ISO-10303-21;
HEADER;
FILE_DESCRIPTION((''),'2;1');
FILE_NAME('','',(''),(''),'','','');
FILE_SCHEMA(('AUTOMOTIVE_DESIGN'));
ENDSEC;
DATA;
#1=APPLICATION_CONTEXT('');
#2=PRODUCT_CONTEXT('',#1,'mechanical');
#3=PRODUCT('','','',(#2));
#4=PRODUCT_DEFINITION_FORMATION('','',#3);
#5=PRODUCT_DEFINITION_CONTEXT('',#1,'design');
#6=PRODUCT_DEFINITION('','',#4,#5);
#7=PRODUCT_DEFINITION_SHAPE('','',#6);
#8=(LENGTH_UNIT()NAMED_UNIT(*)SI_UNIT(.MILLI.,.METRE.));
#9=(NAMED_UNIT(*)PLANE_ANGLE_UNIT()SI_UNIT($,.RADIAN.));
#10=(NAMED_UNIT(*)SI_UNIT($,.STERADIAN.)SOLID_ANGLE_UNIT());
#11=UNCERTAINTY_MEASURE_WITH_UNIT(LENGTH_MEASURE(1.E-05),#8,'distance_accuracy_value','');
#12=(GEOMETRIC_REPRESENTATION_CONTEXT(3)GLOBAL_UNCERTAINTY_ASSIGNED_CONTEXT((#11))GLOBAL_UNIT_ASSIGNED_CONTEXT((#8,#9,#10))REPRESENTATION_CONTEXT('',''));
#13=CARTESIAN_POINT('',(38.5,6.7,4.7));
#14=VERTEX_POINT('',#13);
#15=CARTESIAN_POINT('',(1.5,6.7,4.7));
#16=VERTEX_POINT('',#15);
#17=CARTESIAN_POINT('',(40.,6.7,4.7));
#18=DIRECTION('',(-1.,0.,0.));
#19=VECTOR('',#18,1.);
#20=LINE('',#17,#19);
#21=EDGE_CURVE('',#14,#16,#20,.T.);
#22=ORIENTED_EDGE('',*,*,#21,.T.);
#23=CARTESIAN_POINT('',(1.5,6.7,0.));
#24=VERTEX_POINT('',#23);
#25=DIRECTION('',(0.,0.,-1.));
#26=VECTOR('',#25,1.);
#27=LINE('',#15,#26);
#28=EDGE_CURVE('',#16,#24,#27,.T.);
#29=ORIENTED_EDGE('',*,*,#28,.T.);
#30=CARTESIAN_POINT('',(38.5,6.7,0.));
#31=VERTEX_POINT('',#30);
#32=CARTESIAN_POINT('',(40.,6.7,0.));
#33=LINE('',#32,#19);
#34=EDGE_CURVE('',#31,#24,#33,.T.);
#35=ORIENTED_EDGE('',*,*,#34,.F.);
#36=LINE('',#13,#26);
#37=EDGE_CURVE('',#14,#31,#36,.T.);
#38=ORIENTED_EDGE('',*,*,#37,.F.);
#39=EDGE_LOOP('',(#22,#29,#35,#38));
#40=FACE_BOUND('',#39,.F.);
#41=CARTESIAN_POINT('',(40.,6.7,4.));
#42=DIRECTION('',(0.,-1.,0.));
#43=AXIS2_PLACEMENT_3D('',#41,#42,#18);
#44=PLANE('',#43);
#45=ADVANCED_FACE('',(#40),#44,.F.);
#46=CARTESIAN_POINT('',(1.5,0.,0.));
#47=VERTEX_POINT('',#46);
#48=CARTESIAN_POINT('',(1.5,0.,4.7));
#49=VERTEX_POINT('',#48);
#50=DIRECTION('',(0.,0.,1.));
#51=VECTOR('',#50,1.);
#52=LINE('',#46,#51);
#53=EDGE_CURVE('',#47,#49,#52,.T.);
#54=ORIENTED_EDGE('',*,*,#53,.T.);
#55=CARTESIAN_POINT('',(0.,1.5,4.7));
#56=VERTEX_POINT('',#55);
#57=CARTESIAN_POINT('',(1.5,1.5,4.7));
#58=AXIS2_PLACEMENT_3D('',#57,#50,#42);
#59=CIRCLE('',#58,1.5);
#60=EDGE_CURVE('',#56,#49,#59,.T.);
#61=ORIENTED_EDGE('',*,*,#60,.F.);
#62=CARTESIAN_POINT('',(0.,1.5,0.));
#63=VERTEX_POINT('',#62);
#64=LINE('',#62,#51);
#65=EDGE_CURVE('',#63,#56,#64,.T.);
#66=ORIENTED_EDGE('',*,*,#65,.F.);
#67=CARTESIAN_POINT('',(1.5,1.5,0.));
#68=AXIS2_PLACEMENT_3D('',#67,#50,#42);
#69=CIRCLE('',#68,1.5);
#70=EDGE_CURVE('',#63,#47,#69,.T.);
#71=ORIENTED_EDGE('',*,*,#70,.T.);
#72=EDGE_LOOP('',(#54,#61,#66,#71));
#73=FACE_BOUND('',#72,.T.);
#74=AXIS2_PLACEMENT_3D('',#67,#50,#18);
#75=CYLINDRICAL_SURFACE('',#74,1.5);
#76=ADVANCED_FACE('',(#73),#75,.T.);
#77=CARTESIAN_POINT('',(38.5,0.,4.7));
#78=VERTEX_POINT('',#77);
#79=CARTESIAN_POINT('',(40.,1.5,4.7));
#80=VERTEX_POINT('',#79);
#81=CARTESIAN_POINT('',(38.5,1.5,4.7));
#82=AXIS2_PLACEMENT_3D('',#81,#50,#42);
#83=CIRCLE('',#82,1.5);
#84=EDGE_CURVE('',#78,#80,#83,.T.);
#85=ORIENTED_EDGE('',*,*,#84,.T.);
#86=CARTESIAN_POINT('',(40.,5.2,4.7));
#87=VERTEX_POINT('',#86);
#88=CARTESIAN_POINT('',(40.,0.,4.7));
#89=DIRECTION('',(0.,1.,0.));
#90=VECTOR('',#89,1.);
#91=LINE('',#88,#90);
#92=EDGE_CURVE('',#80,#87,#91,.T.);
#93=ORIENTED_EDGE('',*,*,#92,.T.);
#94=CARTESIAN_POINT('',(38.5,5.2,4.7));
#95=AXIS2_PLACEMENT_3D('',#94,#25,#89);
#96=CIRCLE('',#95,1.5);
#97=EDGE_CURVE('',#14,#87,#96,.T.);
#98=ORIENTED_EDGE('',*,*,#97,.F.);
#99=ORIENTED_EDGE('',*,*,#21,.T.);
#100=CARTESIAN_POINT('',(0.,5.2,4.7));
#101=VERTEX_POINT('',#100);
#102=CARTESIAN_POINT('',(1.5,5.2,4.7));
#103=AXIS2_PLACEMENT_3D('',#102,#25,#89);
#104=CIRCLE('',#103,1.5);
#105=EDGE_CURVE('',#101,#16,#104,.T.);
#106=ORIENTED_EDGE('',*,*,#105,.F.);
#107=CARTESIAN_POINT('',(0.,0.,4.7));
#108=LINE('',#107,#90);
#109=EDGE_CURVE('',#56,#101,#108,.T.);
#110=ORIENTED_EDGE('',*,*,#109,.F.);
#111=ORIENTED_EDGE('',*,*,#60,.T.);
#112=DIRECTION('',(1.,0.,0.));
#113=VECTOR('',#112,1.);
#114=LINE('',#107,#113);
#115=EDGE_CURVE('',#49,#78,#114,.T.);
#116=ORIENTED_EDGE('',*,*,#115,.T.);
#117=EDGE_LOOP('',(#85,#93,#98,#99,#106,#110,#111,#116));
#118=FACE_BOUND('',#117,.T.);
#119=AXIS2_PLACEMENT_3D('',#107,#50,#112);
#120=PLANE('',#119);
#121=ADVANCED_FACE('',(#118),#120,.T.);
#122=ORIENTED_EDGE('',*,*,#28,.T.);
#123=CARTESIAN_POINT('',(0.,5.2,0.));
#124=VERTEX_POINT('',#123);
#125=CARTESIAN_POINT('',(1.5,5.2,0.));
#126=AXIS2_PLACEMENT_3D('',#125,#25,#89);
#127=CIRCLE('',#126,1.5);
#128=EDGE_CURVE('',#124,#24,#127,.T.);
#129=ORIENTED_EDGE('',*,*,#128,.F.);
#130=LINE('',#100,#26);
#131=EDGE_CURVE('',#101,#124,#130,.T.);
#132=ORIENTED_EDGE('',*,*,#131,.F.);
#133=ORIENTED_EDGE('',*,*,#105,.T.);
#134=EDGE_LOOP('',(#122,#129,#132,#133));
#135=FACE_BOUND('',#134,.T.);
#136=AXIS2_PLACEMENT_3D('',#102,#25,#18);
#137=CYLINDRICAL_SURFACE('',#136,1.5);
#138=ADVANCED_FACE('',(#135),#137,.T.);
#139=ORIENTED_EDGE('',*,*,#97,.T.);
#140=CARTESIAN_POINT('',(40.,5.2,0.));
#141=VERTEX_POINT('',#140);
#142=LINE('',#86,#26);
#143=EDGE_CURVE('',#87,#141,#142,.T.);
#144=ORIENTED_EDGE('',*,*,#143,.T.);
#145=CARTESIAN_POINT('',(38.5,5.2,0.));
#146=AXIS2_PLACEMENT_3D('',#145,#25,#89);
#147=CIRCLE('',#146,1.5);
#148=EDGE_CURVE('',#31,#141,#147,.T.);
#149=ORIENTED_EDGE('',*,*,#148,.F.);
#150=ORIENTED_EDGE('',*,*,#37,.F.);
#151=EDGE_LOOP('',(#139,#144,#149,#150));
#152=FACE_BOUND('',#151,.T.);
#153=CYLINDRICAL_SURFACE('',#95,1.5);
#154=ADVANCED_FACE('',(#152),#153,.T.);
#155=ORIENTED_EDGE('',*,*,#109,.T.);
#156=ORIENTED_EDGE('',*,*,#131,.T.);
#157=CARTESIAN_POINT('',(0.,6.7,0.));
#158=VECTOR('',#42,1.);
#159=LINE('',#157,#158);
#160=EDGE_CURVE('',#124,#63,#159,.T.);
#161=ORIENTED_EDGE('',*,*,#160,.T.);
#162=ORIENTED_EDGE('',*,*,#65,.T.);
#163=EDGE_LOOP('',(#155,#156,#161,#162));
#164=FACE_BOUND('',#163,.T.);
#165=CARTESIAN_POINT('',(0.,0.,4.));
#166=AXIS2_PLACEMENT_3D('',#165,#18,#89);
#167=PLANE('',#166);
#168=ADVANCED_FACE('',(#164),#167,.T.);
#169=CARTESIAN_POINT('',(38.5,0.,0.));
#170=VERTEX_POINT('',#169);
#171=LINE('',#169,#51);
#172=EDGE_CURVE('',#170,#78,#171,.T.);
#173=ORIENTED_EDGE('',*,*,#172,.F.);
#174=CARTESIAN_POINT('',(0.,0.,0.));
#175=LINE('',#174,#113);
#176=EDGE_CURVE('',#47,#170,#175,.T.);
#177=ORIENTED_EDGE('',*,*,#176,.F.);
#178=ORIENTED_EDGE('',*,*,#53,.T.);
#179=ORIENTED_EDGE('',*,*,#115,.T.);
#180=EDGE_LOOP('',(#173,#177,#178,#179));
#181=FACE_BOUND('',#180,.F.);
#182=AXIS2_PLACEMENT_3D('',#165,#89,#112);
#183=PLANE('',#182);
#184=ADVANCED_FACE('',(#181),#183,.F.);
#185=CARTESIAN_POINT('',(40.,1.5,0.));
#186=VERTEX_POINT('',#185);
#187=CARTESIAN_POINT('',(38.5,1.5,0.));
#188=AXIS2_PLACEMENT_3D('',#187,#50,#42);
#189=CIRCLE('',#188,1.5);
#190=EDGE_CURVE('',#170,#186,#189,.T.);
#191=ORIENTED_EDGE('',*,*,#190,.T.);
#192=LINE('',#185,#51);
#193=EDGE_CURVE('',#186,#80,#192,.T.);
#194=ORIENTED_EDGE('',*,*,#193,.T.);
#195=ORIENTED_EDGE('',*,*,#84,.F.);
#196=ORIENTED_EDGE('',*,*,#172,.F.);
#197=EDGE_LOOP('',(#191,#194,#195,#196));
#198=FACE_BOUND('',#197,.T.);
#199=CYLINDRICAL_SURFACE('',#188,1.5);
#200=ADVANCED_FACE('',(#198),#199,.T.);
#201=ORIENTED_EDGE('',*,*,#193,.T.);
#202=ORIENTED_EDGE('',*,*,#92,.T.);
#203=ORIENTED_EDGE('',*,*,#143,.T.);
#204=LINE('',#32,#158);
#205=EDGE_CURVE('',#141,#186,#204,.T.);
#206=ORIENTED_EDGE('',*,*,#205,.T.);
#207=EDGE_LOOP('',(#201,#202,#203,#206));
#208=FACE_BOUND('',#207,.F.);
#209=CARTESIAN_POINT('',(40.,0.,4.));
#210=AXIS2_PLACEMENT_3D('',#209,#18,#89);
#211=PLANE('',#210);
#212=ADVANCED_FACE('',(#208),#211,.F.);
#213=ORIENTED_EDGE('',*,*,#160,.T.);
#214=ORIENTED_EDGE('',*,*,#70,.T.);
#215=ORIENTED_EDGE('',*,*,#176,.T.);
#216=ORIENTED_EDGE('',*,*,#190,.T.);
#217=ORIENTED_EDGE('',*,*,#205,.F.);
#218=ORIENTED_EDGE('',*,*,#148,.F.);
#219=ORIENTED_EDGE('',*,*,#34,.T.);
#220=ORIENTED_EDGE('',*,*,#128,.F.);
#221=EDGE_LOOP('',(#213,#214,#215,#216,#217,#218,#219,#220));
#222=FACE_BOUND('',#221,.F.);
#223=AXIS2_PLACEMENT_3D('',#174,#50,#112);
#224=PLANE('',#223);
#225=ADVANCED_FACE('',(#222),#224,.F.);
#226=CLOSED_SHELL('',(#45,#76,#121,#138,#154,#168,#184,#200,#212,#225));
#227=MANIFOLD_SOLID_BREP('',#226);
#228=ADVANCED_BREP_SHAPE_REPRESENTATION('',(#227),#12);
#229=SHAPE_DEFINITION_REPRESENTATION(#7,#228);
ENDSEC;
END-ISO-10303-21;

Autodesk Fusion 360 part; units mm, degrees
sketch "Sketch1" plane through (0, 0, 0) normal (0, 0, 1) x (1, 0, 0)
  line L0 (0, 0) -> (40, 0)
  line L1 (40, 0) -> (40, 6)
  line L2 (40, 6) -> (0, 6)
  line L3 (0, 6) -> (0, 0)
  dimension "d1" = 40
  dimension "d2" = 6
extrude "Extrude1" add sketch "Sketch1" along normal blind 4
extrude "Extrude2" add 1 faces at (26.6667, 6, 1.3333) along direction (0, 1, 0) blind 0.7
extrude "Extrude3" add 1 faces at (13.3333, 4.4667, 4) along direction (0, 0, 1) blind 0.7
fillet "Fillet1" radius 1.5 4 edges at (0, 6.7, 2.35) (0, 0, 2.35) (40, 0, 2.35) (40, 6.7, 2.35)
